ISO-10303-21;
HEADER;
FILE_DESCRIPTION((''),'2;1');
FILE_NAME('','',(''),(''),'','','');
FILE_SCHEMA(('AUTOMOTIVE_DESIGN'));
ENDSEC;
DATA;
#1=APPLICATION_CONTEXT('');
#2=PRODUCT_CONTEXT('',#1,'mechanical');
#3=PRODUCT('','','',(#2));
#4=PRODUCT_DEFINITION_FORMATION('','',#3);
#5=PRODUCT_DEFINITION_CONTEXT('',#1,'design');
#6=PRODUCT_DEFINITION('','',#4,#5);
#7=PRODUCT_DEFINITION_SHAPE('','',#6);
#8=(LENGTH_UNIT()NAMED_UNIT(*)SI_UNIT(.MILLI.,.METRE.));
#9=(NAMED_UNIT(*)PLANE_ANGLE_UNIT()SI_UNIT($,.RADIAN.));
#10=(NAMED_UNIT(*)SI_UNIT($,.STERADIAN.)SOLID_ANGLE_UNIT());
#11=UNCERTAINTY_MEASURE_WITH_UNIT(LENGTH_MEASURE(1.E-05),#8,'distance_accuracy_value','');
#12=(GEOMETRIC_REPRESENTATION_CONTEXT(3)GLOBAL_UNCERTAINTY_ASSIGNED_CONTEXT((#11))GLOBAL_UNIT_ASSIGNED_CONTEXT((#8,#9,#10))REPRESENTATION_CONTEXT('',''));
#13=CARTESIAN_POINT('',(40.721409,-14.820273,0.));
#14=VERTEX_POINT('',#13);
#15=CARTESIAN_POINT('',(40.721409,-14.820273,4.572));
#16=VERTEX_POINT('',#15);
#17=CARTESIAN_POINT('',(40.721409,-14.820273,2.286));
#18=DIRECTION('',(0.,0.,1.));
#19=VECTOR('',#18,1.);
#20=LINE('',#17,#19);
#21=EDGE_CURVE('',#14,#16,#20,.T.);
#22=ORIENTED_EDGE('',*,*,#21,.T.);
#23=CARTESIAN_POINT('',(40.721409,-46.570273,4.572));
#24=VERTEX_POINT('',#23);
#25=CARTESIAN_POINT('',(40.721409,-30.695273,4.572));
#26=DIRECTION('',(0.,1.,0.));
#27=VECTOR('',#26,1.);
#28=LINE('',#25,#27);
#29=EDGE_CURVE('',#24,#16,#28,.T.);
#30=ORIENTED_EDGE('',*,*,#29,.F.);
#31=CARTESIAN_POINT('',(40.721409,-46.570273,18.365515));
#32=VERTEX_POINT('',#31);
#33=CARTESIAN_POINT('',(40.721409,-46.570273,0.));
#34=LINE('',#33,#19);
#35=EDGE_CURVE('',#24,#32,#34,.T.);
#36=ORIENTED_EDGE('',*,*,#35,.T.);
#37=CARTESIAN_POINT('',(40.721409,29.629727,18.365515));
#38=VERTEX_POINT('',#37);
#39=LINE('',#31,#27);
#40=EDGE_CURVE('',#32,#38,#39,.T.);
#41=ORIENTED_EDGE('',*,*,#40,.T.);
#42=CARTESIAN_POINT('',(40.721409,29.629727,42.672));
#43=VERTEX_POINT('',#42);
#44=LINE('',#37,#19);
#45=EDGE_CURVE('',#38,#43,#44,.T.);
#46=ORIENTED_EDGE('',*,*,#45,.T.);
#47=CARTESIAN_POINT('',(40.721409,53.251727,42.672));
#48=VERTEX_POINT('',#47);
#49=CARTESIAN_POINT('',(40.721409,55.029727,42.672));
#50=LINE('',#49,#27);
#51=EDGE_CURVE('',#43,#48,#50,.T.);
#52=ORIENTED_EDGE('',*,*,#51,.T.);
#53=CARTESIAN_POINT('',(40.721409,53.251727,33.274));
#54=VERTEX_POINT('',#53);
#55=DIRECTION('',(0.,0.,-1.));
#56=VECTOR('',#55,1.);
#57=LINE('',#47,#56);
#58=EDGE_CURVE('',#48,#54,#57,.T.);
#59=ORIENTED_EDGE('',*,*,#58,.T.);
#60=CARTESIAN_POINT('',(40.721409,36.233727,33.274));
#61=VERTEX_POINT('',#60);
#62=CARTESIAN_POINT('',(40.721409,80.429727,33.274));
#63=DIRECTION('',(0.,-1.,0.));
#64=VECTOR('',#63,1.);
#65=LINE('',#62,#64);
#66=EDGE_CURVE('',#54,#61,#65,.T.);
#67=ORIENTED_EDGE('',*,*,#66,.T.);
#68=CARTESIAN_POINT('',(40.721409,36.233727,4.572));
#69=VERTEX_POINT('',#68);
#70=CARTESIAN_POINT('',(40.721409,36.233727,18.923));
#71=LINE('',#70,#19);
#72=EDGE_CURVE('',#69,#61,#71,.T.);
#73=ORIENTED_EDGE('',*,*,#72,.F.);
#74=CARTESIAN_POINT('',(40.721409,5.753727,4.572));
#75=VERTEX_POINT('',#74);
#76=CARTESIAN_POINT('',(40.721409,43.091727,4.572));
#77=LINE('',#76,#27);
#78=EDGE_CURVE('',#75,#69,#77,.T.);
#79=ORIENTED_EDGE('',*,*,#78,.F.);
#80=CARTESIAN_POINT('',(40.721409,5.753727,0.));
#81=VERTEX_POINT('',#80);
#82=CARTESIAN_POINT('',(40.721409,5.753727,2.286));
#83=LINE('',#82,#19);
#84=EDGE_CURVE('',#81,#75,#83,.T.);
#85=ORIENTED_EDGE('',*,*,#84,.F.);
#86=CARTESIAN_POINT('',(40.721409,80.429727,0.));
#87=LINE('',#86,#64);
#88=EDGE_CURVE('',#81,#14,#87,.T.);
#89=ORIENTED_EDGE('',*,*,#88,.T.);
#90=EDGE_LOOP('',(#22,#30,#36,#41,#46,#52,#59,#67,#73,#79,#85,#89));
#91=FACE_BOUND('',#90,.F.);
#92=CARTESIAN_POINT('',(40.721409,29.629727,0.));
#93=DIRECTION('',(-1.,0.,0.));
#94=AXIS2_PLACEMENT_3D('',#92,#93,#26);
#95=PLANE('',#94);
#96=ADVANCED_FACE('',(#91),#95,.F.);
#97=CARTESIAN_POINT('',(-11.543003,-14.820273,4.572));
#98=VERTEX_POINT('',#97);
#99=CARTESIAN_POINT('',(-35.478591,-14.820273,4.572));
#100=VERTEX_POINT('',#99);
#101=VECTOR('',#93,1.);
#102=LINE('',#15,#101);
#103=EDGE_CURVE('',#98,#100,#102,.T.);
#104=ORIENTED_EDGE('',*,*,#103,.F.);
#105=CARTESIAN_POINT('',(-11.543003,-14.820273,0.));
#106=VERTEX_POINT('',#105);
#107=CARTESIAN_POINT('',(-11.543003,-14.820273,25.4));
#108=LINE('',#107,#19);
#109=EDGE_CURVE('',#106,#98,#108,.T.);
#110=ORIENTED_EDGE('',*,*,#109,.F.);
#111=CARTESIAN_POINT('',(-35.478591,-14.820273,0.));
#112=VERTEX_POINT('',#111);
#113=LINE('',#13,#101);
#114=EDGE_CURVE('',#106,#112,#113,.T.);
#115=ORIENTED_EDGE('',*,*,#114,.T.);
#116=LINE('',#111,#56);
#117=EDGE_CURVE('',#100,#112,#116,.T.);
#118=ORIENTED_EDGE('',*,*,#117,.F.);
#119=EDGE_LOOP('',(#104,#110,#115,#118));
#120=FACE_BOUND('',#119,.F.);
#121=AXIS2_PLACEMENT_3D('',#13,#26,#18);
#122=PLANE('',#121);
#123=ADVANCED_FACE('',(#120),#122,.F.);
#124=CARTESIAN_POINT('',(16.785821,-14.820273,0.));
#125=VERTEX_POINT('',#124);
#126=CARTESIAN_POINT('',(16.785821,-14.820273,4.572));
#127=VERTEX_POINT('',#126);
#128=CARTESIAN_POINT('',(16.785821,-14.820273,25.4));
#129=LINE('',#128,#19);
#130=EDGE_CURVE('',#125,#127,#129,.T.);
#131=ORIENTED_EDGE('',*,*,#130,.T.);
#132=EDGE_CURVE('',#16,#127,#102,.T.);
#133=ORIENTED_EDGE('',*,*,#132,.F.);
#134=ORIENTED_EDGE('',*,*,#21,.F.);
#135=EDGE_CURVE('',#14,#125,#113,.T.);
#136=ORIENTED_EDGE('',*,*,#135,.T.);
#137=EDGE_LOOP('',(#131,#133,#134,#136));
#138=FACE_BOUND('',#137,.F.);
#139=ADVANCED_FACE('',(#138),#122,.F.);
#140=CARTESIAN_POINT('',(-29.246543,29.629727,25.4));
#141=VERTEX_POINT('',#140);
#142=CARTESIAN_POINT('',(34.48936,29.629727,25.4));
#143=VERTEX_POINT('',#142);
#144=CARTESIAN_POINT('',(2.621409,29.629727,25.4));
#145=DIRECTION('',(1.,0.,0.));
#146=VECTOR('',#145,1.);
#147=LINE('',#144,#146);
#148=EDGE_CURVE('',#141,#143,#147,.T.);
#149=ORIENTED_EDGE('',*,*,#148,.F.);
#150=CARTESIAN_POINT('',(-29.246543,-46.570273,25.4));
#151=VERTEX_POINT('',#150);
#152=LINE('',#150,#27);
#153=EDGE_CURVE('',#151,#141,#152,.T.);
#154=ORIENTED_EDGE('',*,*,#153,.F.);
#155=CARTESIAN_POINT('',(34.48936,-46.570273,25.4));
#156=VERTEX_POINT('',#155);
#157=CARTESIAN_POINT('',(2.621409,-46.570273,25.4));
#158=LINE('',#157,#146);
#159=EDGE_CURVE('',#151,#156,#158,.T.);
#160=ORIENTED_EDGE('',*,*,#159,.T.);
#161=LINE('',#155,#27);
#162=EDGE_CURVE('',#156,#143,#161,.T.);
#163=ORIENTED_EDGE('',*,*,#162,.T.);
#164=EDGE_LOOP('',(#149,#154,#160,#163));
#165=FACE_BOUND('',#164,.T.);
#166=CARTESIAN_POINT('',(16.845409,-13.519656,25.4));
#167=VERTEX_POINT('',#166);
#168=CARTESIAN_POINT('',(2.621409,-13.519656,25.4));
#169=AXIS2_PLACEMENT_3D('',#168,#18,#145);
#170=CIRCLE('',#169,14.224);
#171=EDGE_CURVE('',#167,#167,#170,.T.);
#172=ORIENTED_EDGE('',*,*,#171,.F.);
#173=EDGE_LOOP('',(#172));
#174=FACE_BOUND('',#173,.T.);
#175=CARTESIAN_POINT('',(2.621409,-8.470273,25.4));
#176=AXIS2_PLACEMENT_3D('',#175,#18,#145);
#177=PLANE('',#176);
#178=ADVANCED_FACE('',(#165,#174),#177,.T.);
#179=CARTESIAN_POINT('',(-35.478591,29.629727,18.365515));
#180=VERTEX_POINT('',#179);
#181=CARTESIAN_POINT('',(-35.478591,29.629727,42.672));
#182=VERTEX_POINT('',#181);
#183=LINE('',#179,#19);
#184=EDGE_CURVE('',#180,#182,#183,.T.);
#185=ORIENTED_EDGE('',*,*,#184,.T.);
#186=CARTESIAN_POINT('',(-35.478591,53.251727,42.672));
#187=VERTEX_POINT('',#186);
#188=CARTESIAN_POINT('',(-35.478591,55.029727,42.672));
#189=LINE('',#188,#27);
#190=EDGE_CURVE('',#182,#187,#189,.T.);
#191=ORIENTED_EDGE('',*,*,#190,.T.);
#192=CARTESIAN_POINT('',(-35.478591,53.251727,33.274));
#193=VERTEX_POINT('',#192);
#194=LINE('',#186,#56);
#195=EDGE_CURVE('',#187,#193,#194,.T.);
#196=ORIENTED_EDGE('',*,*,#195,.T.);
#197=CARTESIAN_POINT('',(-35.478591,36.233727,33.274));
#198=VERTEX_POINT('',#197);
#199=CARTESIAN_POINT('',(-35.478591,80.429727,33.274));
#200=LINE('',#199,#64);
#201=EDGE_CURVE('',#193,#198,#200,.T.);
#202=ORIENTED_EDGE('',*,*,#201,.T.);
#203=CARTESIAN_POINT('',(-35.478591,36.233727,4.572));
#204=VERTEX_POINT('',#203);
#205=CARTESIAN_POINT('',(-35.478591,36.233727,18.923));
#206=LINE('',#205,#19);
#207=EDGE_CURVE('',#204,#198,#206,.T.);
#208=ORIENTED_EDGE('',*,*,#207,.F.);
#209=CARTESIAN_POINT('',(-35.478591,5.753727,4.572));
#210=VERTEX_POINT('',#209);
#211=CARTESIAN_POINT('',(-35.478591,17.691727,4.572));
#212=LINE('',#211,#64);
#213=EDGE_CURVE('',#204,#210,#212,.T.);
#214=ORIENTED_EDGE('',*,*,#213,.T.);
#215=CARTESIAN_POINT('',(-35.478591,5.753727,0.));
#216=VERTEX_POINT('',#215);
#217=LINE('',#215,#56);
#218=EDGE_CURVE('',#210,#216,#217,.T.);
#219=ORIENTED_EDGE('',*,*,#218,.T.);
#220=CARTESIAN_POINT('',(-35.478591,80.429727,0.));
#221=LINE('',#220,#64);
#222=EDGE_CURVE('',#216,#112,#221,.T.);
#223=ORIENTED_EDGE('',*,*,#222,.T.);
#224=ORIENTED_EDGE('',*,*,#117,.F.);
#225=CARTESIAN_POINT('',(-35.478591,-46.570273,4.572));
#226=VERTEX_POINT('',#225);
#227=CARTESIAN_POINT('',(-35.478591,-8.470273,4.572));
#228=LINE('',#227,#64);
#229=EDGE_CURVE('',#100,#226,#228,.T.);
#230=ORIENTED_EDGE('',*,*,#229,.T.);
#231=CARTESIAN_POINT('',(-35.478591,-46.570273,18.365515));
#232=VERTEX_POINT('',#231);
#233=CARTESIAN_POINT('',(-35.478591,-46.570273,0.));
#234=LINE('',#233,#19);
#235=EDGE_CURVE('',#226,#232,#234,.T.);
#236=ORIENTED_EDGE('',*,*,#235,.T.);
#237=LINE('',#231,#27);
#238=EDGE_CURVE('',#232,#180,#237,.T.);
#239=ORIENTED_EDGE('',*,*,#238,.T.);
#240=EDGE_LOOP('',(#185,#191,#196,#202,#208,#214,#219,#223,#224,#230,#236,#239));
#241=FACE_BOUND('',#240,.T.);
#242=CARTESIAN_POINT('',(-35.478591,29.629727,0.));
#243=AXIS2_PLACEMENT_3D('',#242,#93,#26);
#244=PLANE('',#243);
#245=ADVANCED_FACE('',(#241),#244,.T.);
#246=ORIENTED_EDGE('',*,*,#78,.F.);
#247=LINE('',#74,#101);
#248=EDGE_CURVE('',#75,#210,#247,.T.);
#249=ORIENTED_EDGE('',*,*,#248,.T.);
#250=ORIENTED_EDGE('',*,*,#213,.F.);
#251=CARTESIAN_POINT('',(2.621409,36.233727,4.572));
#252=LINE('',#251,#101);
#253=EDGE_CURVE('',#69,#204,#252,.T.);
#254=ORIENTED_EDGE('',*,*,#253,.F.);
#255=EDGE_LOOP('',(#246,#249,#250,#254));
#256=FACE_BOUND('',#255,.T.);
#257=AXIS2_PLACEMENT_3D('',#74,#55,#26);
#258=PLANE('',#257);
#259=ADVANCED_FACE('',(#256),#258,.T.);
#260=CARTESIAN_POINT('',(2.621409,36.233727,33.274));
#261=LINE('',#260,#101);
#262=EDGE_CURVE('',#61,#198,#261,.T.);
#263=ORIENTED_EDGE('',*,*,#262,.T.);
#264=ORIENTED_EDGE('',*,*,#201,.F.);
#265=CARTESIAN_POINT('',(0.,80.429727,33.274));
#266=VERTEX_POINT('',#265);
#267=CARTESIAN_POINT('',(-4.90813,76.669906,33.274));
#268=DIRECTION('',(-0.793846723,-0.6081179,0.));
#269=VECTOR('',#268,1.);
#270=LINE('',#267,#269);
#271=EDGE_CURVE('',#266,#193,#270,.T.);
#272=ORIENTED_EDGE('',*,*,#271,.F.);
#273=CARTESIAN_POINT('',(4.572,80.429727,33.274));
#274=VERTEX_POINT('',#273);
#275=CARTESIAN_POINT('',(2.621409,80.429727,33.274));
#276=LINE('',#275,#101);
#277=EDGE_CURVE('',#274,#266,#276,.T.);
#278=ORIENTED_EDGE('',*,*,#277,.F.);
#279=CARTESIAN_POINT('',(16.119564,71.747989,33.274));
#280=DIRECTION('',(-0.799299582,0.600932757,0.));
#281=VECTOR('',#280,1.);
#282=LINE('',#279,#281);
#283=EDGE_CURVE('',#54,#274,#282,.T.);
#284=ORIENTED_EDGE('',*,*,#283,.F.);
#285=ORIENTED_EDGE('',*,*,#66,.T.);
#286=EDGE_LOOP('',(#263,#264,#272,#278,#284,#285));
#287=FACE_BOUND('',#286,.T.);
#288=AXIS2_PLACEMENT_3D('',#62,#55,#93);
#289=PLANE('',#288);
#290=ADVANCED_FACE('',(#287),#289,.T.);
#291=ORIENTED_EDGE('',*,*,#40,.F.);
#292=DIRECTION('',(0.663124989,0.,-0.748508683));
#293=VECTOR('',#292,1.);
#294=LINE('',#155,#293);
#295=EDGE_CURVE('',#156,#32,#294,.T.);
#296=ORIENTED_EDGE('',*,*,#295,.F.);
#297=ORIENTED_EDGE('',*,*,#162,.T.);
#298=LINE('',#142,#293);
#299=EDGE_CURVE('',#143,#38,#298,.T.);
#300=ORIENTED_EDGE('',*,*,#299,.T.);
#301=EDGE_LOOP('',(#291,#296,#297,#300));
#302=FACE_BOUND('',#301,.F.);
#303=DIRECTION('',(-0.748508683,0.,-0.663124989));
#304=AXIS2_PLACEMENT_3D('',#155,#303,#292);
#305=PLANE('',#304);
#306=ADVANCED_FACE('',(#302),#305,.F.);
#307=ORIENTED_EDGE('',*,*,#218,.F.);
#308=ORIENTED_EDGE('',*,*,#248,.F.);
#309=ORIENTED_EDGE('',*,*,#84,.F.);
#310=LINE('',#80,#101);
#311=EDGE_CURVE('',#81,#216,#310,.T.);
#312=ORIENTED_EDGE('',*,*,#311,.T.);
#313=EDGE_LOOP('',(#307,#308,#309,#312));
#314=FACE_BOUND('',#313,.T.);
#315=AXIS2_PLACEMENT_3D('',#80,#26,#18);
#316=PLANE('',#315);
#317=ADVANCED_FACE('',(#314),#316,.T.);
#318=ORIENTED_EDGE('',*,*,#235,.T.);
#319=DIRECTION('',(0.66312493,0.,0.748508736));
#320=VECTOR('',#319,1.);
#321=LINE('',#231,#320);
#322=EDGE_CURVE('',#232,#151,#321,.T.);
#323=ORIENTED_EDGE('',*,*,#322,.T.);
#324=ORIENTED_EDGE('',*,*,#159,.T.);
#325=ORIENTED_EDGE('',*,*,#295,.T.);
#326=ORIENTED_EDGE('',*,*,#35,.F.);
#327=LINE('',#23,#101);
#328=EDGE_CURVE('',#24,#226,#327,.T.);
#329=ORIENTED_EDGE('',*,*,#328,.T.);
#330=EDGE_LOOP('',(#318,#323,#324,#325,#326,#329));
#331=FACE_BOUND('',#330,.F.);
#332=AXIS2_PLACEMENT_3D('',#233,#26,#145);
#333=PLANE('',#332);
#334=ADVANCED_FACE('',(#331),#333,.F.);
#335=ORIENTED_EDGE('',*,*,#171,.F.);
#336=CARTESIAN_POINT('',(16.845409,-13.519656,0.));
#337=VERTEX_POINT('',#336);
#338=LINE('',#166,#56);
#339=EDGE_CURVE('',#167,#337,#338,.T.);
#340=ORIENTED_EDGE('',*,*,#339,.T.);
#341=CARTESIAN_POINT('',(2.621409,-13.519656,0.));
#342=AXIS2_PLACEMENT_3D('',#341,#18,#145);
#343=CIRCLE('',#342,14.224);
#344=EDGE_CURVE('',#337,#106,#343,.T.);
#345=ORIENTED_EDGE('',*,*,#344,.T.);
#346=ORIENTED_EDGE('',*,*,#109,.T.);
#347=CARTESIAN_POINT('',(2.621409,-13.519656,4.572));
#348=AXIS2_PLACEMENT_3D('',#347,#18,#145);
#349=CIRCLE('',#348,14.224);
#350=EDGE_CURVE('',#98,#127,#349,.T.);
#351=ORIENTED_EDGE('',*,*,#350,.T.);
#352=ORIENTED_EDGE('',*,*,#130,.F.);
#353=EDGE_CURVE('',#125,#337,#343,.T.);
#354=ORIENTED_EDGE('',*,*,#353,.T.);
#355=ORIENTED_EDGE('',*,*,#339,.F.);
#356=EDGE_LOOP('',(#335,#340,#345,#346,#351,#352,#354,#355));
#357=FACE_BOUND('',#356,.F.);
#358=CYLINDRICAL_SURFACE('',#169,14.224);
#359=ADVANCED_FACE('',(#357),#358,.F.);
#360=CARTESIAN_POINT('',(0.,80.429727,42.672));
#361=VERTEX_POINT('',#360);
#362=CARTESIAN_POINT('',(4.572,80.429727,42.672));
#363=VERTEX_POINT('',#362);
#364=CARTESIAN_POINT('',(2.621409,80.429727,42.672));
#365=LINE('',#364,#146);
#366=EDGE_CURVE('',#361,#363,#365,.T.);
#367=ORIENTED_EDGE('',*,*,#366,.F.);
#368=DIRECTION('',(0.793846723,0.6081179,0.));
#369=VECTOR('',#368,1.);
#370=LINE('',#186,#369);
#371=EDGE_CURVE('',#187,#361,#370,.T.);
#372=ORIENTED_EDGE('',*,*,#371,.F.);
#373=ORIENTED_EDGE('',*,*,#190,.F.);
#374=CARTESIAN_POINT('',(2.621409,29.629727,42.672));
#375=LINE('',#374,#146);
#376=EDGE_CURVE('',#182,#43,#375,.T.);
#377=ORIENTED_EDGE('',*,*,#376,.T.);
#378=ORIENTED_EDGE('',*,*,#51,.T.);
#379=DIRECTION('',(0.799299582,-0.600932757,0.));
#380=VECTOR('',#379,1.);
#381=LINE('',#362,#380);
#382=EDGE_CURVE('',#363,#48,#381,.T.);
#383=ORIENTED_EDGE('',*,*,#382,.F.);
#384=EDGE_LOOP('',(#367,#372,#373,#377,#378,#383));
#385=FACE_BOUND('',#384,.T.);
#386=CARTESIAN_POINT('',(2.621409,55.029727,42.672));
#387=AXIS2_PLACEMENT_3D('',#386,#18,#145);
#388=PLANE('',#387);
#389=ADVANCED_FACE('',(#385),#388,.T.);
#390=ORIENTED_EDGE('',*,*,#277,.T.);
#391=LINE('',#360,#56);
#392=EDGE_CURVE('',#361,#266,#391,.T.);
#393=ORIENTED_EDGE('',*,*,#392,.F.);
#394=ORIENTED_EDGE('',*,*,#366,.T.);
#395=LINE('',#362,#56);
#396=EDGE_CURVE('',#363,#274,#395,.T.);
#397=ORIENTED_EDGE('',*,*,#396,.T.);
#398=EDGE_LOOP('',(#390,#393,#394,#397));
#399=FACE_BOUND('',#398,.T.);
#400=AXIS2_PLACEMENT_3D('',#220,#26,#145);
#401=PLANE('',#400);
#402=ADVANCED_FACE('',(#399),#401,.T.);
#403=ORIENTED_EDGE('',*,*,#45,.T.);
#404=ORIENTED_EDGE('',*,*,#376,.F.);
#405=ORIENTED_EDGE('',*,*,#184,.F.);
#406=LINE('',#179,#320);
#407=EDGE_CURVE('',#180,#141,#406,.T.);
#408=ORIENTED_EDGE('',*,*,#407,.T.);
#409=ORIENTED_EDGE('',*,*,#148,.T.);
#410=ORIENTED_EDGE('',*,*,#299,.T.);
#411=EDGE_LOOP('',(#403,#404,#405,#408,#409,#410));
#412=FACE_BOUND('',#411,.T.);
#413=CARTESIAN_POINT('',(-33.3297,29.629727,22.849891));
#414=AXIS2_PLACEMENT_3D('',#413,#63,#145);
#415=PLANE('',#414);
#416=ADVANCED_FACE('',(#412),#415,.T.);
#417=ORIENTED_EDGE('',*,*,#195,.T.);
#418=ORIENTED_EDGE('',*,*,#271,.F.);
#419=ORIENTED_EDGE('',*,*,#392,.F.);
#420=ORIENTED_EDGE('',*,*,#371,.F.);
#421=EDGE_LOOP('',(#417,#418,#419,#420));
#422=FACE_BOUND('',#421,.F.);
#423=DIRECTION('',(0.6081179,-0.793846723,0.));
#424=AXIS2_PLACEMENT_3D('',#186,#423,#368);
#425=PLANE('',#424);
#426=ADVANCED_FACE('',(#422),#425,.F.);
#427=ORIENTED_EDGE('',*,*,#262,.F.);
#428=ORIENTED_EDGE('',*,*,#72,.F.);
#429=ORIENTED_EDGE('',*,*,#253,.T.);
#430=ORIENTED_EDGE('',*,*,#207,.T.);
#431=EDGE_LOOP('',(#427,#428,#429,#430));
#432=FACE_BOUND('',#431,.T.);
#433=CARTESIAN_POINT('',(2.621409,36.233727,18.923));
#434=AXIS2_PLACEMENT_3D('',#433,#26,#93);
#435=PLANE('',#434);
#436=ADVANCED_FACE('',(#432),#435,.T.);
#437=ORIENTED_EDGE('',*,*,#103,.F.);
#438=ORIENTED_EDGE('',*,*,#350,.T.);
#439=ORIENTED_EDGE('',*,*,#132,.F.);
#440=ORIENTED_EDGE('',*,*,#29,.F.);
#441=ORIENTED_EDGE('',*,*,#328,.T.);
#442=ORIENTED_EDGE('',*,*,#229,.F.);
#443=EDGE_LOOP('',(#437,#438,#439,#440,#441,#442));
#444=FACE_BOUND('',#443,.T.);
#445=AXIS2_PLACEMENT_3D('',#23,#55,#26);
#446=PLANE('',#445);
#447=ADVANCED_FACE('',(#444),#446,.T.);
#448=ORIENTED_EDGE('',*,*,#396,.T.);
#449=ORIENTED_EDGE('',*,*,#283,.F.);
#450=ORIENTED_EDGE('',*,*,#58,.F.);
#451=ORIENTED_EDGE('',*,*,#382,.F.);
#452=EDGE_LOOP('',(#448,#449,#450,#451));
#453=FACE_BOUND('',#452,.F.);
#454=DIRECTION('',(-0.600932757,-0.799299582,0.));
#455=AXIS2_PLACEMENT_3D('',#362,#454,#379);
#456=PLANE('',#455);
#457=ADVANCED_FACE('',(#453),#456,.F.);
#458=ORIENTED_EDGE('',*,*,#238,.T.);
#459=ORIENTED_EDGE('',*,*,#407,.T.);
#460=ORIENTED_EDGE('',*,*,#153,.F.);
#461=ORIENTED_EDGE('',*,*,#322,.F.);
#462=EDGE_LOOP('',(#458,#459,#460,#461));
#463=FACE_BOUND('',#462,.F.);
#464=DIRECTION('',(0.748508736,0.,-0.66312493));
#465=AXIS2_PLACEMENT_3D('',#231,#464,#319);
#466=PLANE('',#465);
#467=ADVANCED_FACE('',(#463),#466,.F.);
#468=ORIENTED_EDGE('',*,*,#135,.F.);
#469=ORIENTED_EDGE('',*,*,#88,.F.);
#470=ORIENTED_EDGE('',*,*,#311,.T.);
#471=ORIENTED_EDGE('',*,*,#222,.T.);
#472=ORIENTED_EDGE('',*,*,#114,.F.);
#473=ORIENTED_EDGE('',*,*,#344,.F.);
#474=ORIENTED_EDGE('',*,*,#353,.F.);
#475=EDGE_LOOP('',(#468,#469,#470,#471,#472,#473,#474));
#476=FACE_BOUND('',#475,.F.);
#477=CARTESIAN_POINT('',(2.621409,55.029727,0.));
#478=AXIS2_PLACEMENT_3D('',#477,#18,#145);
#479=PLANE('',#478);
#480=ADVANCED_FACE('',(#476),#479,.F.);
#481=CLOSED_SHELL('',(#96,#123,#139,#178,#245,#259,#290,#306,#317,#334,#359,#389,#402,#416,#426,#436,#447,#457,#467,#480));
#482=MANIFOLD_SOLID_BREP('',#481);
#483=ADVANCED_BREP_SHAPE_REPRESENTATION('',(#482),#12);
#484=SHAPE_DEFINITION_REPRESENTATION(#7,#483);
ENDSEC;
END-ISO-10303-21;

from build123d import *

# Parameters (mm, degrees)
F0_W      = 76.2
F0_H      = 76.2
F1_DEPTH  = 25.4
F0_H_2    = 50.8
F2_DEPTH  = 42.672
F4_DEPTH  = 76.2
F5_R      = 14.224
F6_DEPTH  = 25.4
F7_W      = 31.75
F7_H      = 4.572
F7_W_2    = 74.676
F8_DEPTH  = 96.266
F10_W     = 76.2
F10_H     = 28.702
F11_DEPTH = 44.196
F12_DEPTH = 25.4


with BuildPart() as f1:
    # F0 (on Top) → F1 (new body)
    with BuildSketch(Plane.XY):
        with Locations((2.621409, -8.470273)):
            Rectangle(F0_W, F0_H)
    extrude(amount=F1_DEPTH)

    # F0 (on Top) → F2 (join)
    with BuildSketch(Plane.XY):
        with Locations((2.621409, 55.029727)):
            Rectangle(F0_W, F0_H_2)
    extrude(amount=F2_DEPTH)

    # F3 (on face) → F4 (cut)
    with BuildSketch(Plane.XZ.offset(46.570273)):
        Polygon((40.721409, 25.4), (34.48936, 25.4), (40.721409, 18.365515), align=None)
        Polygon((-35.478591, 18.365515), (-29.246543, 25.4), (-35.478591, 25.4), align=None)
    extrude(amount=-F4_DEPTH, mode=Mode.SUBTRACT)

    # F5 (on face) → F6 (cut)
    with BuildSketch(Plane.XY.offset(25.4)):
        with Locations((2.621409, -13.519656)):
            Circle(F5_R)
    extrude(amount=-F6_DEPTH, mode=Mode.SUBTRACT)

    # F7 (on face) → F8 (cut)
    with BuildSketch(Plane.YZ.offset(40.721409)):
        with Locations((-30.695273, 2.286)):
            Rectangle(F7_W, F7_H)
        with Locations((43.091727, 2.286)):
            Rectangle(F7_W_2, F7_H)
    extrude(amount=-F8_DEPTH, mode=Mode.SUBTRACT)

    # F10 (on face) → F11 (cut)
    with BuildSketch(Plane(origin=(0, 80.429727, 0), x_dir=(-1, 0, 0), z_dir=(0, 1, 0))):
        with Locations((-2.621409, 18.923)):
            Rectangle(F10_W, F10_H)
    extrude(amount=-F11_DEPTH, mode=Mode.SUBTRACT)

    # F9 (on face) → F12 (cut)
    with BuildSketch(Plane.XY.offset(42.672)):
        Polygon((4.572, 80.429727), (40.721409, 53.251727), (40.721409, 80.429727), align=None)
        Polygon((-35.478591, 80.429727), (-35.478591, 53.251727), (0, 80.429727), align=None)
    extrude(amount=-F12_DEPTH, mode=Mode.SUBTRACT)


solid = f1.part
